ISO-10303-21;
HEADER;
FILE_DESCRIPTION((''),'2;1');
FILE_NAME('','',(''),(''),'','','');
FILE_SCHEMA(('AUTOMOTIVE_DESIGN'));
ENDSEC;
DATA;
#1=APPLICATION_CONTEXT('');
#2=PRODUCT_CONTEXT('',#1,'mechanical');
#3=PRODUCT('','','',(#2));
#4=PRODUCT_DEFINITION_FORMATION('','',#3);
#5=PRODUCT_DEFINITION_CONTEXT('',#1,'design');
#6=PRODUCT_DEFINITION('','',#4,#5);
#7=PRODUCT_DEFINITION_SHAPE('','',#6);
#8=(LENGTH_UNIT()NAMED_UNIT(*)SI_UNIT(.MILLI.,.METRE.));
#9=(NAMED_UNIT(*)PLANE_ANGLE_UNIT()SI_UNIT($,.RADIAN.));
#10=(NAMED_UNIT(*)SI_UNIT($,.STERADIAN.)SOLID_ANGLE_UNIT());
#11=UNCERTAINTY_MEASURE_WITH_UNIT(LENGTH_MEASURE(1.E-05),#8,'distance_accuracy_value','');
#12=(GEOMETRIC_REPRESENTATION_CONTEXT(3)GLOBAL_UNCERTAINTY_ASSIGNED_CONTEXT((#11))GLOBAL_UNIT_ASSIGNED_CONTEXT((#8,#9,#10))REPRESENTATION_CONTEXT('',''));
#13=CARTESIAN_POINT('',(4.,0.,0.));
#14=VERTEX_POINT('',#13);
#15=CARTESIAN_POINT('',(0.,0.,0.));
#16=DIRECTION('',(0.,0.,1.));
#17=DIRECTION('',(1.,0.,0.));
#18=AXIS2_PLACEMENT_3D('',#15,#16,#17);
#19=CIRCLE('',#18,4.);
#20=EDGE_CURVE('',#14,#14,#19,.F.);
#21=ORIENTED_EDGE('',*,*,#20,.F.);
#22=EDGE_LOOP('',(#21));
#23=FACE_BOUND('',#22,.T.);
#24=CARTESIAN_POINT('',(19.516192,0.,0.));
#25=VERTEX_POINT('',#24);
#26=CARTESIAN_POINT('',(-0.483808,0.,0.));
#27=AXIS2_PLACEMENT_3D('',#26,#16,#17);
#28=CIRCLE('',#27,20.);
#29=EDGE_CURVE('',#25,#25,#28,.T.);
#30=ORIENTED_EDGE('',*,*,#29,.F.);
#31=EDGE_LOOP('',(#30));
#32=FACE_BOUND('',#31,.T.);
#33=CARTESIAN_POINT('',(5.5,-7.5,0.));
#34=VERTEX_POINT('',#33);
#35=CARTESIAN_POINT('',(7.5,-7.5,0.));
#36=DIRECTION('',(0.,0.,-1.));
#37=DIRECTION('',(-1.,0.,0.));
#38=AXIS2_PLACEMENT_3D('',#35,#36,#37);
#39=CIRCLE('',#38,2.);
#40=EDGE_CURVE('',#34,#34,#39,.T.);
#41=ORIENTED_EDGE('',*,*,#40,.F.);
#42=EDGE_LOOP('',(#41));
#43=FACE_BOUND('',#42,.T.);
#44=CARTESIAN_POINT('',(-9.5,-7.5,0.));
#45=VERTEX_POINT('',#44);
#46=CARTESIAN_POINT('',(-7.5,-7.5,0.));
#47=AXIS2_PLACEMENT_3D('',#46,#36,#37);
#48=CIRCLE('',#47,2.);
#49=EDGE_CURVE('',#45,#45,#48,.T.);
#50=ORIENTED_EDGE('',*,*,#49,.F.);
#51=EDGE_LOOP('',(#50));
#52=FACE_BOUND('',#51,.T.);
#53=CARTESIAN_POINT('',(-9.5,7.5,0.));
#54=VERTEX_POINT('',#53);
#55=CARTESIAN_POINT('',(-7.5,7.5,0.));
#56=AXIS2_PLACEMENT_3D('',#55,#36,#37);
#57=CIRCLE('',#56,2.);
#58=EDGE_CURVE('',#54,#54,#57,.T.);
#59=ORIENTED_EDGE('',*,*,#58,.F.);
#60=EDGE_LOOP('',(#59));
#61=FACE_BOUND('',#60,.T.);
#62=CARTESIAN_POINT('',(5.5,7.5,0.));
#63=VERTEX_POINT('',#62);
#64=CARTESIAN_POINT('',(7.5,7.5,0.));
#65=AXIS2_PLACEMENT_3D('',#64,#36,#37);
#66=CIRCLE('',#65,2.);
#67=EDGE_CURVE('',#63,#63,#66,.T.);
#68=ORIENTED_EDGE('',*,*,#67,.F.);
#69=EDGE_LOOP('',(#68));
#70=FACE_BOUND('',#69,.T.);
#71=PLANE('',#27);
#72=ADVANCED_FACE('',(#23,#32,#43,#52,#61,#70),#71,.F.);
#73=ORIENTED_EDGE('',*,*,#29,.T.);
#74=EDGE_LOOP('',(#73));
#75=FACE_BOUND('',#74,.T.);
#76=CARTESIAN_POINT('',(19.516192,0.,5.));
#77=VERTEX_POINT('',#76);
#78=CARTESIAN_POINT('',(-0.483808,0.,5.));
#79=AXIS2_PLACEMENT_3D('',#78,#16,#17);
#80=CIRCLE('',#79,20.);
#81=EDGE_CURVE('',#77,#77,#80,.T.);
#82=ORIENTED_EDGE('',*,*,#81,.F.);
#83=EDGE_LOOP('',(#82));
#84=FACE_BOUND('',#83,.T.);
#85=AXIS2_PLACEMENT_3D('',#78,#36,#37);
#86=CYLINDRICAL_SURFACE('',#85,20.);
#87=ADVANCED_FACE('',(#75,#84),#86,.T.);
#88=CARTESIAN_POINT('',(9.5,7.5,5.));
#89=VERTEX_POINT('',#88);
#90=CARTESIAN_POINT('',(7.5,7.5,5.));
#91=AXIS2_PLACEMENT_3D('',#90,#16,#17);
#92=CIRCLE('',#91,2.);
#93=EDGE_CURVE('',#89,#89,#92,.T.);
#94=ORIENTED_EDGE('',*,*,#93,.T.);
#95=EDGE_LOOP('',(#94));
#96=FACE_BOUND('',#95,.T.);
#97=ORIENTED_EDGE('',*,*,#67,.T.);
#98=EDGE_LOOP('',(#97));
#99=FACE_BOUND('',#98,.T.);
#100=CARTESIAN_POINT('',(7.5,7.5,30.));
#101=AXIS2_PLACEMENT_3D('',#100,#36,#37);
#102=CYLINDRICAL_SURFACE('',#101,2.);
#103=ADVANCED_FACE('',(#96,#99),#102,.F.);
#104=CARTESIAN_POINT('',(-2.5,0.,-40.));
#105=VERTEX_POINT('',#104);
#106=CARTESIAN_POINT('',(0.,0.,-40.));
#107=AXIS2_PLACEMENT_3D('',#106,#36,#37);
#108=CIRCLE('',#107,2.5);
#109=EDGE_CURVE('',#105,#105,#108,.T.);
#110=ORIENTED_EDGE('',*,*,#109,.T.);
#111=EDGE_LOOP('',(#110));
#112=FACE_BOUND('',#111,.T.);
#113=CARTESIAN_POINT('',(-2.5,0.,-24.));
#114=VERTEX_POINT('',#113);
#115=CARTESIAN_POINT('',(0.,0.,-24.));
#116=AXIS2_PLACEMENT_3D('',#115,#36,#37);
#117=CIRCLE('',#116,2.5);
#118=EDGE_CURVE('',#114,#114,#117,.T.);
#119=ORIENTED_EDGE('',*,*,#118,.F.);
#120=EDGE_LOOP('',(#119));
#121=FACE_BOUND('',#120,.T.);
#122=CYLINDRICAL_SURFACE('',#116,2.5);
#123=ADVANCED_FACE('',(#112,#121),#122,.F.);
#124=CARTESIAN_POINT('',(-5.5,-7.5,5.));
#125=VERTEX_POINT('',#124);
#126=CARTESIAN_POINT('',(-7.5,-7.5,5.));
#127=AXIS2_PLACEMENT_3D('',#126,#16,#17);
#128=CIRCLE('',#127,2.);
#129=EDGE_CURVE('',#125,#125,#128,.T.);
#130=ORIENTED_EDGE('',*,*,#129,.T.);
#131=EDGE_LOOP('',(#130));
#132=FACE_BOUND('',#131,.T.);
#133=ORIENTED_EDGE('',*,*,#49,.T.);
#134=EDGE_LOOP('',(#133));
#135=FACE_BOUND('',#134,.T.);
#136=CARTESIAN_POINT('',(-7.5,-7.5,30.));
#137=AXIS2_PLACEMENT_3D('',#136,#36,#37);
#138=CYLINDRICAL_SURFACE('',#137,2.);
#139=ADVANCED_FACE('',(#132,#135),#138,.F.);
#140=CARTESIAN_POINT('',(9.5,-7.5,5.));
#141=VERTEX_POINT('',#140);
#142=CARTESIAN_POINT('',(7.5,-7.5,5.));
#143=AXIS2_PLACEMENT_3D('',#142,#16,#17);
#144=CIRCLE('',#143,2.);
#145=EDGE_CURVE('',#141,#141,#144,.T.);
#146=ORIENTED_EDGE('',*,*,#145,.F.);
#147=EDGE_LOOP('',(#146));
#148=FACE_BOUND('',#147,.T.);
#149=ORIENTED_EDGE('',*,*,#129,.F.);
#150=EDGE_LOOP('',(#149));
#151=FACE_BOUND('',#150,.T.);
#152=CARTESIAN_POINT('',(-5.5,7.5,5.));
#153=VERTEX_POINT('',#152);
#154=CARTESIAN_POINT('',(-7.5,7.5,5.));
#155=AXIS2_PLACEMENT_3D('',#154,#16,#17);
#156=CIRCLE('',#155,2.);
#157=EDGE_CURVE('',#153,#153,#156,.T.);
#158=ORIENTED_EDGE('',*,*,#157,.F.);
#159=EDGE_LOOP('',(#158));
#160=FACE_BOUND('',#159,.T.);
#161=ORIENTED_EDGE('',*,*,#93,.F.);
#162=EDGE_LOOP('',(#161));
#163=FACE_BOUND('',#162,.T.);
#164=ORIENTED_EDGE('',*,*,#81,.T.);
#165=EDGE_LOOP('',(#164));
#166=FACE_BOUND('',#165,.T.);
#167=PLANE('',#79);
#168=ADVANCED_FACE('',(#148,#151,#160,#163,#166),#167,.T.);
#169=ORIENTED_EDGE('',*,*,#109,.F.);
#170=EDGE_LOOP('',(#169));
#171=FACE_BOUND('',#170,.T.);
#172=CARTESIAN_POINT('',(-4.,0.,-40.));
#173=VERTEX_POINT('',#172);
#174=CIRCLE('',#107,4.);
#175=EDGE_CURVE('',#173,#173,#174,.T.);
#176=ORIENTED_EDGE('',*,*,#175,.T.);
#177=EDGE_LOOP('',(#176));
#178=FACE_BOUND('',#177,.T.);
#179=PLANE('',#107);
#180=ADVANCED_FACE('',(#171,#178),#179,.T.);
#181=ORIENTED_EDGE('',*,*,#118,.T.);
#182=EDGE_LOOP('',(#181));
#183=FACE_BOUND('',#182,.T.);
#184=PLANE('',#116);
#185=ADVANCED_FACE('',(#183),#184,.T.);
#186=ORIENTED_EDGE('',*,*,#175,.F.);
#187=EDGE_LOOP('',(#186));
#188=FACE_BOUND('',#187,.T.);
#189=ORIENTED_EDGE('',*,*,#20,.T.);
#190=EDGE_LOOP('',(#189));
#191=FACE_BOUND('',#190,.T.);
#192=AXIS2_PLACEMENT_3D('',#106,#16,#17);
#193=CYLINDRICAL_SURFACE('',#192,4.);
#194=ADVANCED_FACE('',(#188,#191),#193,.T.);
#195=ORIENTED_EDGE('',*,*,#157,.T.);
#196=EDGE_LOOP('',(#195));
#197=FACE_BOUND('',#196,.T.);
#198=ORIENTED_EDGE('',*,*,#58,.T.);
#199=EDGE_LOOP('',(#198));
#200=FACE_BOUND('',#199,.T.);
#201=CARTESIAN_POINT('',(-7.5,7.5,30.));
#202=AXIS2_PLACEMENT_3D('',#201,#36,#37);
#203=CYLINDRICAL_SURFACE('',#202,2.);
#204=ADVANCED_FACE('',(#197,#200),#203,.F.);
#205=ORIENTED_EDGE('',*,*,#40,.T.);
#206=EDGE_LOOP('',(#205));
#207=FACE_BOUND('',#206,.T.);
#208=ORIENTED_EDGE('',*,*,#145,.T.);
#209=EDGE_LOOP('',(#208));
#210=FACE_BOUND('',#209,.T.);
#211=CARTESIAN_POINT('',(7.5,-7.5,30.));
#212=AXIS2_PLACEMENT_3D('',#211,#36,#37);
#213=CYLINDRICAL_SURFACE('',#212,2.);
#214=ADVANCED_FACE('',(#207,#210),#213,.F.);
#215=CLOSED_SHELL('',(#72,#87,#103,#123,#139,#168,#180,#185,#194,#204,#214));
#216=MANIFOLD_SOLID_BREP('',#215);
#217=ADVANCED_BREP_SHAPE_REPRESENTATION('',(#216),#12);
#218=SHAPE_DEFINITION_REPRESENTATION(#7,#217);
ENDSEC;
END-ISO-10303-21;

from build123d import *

# Parameters (mm, degrees)
SKETCH1_R           = 20
BOSS_EXTRUDE1_DEPTH = 5
SKETCH2_R           = 2
CUT_EXTRUDE1_DEPTH  = 30
SKETCH3_R           = 4
BOSS_EXTRUDE3_DEPTH = 40
SKETCH4_R           = 2.5
CUT_EXTRUDE2_DEPTH  = 16


with BuildPart() as part:
    # Sketch1 → Boss-Extrude1 (new body)
    with BuildSketch(Plane.XY):
        with Locations((-0.483808042, 0)):
            Circle(SKETCH1_R)
    extrude(amount=BOSS_EXTRUDE1_DEPTH)

    # Sketch2 → Cut-Extrude1 (cut)
    with BuildSketch(Plane(origin=(0, 0, 0), x_dir=(-1, 0, 0), z_dir=(0, 0, -1))):
        with Locations((7.5, 7.5)):
            Circle(SKETCH2_R)
        with Locations((7.5, -7.5)):
            Circle(SKETCH2_R)
        with Locations((-7.5, -7.5)):
            Circle(SKETCH2_R)
        with Locations((-7.5, 7.5)):
            Circle(SKETCH2_R)
    extrude(amount=-CUT_EXTRUDE1_DEPTH, mode=Mode.SUBTRACT)

    # Sketch3 → Boss-Extrude3 (add)
    with BuildSketch(Plane(origin=(0, 0, 0), x_dir=(-1, 0, 0), z_dir=(0, 0, -1))):
        Circle(SKETCH3_R)
    extrude(amount=BOSS_EXTRUDE3_DEPTH)

    # Sketch4 → Cut-Extrude2 (cut)
    with BuildSketch(Plane(origin=(0, 0, -40), x_dir=(-1, 0, 0), z_dir=(0, 0, -1))):
        Circle(SKETCH4_R)
    extrude(amount=-CUT_EXTRUDE2_DEPTH, mode=Mode.SUBTRACT)


solid = part.part
